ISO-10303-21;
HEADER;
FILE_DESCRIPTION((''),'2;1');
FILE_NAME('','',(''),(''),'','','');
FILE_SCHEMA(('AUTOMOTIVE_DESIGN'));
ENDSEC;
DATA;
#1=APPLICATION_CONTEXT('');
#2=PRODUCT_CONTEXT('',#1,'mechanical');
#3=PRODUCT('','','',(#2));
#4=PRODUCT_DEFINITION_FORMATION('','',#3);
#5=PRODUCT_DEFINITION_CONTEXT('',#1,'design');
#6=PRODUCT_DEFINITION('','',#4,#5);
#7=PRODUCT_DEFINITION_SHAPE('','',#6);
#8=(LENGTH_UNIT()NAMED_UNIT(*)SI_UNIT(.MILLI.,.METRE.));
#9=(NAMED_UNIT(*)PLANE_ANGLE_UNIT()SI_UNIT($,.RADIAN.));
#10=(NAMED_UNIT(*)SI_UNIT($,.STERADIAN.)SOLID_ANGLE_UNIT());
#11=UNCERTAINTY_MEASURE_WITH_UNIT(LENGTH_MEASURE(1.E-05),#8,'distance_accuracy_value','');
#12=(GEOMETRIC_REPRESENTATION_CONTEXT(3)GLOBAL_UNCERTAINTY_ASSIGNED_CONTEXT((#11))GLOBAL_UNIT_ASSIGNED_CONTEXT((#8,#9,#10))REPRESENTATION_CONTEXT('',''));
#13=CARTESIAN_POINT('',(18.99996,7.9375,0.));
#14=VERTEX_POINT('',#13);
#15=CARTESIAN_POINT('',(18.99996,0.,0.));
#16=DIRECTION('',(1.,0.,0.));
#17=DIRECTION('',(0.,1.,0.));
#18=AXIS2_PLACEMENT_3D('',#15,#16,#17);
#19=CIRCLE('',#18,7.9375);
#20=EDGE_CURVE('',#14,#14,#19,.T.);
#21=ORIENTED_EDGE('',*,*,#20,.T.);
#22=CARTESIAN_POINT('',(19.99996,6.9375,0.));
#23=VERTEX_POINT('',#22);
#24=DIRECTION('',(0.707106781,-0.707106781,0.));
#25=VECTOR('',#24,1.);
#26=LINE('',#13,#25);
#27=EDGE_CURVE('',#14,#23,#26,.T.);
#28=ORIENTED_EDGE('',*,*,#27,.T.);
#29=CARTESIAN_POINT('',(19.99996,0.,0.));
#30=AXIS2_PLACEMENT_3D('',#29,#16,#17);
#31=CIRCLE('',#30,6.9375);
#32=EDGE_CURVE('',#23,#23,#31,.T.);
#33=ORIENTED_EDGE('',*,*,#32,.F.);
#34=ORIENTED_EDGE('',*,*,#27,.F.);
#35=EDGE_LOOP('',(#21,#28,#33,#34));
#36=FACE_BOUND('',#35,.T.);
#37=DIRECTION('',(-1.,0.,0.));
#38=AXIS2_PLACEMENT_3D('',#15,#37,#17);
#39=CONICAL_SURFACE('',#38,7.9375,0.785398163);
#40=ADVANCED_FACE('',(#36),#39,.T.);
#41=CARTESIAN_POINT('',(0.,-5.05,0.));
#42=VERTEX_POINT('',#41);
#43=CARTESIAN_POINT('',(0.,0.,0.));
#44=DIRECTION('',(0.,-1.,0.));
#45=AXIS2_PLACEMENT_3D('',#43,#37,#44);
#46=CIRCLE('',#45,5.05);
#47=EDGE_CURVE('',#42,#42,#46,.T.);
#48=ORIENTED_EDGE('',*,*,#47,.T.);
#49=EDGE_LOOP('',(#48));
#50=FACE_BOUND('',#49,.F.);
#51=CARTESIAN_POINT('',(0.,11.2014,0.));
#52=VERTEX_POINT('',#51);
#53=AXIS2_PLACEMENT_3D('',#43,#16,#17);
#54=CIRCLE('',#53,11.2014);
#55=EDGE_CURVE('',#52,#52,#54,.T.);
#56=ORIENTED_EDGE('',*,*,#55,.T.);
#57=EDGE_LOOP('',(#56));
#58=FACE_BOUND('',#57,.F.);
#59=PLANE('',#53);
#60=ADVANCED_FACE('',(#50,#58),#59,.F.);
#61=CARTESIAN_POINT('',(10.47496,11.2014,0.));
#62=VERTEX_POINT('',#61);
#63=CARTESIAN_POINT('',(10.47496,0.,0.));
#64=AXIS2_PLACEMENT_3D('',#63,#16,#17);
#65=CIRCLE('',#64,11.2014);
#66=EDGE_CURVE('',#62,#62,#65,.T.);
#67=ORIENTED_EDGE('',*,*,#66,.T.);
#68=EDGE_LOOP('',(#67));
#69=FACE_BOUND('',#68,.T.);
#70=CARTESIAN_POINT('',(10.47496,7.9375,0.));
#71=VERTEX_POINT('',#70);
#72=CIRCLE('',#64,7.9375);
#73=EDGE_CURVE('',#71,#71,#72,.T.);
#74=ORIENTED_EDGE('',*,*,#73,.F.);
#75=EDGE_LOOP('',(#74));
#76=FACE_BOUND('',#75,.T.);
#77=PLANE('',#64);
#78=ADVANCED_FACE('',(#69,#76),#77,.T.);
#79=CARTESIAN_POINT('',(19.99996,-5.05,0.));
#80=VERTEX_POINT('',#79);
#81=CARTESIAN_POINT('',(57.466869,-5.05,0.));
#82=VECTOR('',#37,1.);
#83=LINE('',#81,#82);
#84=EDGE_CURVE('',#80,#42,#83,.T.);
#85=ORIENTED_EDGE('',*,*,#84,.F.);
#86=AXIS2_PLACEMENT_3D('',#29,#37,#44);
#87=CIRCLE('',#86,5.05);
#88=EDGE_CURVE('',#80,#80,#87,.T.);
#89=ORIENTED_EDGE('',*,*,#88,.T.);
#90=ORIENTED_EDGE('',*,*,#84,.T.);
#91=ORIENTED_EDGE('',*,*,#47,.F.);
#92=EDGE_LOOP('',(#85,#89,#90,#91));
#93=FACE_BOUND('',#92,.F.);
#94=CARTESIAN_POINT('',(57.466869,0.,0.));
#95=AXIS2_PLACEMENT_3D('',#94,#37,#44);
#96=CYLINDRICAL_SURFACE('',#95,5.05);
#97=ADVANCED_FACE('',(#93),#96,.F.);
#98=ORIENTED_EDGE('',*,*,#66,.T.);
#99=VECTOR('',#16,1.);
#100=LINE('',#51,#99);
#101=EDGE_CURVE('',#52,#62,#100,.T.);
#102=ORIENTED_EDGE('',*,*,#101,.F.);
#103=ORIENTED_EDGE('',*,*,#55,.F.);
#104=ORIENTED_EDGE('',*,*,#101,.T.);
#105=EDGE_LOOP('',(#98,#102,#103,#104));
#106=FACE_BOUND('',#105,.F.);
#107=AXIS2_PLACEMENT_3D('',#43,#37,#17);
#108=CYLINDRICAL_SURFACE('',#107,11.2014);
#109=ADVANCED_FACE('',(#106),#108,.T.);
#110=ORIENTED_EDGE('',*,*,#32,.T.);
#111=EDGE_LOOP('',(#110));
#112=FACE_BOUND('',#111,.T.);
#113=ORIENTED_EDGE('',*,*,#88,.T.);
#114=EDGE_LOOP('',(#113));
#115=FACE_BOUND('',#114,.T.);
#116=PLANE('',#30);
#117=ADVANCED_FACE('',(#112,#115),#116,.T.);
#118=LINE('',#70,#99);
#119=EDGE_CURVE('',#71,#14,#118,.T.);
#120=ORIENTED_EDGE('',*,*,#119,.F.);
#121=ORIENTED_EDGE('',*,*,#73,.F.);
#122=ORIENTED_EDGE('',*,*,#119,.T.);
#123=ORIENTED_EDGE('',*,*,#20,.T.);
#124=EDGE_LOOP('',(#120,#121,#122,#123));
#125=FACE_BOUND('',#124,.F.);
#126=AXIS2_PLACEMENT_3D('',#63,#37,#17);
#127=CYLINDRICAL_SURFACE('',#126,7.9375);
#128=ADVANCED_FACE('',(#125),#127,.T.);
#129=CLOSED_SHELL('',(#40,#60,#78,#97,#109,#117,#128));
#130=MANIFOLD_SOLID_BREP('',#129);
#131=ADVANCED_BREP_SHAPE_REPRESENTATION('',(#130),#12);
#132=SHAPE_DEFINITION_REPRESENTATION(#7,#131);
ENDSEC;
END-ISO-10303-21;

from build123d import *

# Parameters (mm, degrees)
F0_R     = 11.2014
F1_DEPTH = 10.47496
F2_R     = 7.9375
F3_DEPTH = 9.525
F5_D     = 10.1
F6_SIZE  = 1


with BuildPart() as f1:
    # F0 (on Right) → F1 (new body)
    with BuildSketch(Plane.YZ):
        Circle(F0_R)
    extrude(amount=F1_DEPTH)

    # F2 (on face) → F3 (join)
    with BuildSketch(Plane.YZ.offset(10.47496)):
        Circle(F2_R)
    extrude(amount=F3_DEPTH)

    # F5 (through all)
    with Locations(Plane.YZ.offset(19.99996)):
        with Locations((0, 0)):
            Hole(F5_D / 2)

    # F6
    f6_edges = [f1.edges().sort_by_distance(p)[0] for p in [
        (19.99996, -7.9375, 0),
    ]]
    chamfer(f6_edges, length=F6_SIZE)


solid = f1.part
